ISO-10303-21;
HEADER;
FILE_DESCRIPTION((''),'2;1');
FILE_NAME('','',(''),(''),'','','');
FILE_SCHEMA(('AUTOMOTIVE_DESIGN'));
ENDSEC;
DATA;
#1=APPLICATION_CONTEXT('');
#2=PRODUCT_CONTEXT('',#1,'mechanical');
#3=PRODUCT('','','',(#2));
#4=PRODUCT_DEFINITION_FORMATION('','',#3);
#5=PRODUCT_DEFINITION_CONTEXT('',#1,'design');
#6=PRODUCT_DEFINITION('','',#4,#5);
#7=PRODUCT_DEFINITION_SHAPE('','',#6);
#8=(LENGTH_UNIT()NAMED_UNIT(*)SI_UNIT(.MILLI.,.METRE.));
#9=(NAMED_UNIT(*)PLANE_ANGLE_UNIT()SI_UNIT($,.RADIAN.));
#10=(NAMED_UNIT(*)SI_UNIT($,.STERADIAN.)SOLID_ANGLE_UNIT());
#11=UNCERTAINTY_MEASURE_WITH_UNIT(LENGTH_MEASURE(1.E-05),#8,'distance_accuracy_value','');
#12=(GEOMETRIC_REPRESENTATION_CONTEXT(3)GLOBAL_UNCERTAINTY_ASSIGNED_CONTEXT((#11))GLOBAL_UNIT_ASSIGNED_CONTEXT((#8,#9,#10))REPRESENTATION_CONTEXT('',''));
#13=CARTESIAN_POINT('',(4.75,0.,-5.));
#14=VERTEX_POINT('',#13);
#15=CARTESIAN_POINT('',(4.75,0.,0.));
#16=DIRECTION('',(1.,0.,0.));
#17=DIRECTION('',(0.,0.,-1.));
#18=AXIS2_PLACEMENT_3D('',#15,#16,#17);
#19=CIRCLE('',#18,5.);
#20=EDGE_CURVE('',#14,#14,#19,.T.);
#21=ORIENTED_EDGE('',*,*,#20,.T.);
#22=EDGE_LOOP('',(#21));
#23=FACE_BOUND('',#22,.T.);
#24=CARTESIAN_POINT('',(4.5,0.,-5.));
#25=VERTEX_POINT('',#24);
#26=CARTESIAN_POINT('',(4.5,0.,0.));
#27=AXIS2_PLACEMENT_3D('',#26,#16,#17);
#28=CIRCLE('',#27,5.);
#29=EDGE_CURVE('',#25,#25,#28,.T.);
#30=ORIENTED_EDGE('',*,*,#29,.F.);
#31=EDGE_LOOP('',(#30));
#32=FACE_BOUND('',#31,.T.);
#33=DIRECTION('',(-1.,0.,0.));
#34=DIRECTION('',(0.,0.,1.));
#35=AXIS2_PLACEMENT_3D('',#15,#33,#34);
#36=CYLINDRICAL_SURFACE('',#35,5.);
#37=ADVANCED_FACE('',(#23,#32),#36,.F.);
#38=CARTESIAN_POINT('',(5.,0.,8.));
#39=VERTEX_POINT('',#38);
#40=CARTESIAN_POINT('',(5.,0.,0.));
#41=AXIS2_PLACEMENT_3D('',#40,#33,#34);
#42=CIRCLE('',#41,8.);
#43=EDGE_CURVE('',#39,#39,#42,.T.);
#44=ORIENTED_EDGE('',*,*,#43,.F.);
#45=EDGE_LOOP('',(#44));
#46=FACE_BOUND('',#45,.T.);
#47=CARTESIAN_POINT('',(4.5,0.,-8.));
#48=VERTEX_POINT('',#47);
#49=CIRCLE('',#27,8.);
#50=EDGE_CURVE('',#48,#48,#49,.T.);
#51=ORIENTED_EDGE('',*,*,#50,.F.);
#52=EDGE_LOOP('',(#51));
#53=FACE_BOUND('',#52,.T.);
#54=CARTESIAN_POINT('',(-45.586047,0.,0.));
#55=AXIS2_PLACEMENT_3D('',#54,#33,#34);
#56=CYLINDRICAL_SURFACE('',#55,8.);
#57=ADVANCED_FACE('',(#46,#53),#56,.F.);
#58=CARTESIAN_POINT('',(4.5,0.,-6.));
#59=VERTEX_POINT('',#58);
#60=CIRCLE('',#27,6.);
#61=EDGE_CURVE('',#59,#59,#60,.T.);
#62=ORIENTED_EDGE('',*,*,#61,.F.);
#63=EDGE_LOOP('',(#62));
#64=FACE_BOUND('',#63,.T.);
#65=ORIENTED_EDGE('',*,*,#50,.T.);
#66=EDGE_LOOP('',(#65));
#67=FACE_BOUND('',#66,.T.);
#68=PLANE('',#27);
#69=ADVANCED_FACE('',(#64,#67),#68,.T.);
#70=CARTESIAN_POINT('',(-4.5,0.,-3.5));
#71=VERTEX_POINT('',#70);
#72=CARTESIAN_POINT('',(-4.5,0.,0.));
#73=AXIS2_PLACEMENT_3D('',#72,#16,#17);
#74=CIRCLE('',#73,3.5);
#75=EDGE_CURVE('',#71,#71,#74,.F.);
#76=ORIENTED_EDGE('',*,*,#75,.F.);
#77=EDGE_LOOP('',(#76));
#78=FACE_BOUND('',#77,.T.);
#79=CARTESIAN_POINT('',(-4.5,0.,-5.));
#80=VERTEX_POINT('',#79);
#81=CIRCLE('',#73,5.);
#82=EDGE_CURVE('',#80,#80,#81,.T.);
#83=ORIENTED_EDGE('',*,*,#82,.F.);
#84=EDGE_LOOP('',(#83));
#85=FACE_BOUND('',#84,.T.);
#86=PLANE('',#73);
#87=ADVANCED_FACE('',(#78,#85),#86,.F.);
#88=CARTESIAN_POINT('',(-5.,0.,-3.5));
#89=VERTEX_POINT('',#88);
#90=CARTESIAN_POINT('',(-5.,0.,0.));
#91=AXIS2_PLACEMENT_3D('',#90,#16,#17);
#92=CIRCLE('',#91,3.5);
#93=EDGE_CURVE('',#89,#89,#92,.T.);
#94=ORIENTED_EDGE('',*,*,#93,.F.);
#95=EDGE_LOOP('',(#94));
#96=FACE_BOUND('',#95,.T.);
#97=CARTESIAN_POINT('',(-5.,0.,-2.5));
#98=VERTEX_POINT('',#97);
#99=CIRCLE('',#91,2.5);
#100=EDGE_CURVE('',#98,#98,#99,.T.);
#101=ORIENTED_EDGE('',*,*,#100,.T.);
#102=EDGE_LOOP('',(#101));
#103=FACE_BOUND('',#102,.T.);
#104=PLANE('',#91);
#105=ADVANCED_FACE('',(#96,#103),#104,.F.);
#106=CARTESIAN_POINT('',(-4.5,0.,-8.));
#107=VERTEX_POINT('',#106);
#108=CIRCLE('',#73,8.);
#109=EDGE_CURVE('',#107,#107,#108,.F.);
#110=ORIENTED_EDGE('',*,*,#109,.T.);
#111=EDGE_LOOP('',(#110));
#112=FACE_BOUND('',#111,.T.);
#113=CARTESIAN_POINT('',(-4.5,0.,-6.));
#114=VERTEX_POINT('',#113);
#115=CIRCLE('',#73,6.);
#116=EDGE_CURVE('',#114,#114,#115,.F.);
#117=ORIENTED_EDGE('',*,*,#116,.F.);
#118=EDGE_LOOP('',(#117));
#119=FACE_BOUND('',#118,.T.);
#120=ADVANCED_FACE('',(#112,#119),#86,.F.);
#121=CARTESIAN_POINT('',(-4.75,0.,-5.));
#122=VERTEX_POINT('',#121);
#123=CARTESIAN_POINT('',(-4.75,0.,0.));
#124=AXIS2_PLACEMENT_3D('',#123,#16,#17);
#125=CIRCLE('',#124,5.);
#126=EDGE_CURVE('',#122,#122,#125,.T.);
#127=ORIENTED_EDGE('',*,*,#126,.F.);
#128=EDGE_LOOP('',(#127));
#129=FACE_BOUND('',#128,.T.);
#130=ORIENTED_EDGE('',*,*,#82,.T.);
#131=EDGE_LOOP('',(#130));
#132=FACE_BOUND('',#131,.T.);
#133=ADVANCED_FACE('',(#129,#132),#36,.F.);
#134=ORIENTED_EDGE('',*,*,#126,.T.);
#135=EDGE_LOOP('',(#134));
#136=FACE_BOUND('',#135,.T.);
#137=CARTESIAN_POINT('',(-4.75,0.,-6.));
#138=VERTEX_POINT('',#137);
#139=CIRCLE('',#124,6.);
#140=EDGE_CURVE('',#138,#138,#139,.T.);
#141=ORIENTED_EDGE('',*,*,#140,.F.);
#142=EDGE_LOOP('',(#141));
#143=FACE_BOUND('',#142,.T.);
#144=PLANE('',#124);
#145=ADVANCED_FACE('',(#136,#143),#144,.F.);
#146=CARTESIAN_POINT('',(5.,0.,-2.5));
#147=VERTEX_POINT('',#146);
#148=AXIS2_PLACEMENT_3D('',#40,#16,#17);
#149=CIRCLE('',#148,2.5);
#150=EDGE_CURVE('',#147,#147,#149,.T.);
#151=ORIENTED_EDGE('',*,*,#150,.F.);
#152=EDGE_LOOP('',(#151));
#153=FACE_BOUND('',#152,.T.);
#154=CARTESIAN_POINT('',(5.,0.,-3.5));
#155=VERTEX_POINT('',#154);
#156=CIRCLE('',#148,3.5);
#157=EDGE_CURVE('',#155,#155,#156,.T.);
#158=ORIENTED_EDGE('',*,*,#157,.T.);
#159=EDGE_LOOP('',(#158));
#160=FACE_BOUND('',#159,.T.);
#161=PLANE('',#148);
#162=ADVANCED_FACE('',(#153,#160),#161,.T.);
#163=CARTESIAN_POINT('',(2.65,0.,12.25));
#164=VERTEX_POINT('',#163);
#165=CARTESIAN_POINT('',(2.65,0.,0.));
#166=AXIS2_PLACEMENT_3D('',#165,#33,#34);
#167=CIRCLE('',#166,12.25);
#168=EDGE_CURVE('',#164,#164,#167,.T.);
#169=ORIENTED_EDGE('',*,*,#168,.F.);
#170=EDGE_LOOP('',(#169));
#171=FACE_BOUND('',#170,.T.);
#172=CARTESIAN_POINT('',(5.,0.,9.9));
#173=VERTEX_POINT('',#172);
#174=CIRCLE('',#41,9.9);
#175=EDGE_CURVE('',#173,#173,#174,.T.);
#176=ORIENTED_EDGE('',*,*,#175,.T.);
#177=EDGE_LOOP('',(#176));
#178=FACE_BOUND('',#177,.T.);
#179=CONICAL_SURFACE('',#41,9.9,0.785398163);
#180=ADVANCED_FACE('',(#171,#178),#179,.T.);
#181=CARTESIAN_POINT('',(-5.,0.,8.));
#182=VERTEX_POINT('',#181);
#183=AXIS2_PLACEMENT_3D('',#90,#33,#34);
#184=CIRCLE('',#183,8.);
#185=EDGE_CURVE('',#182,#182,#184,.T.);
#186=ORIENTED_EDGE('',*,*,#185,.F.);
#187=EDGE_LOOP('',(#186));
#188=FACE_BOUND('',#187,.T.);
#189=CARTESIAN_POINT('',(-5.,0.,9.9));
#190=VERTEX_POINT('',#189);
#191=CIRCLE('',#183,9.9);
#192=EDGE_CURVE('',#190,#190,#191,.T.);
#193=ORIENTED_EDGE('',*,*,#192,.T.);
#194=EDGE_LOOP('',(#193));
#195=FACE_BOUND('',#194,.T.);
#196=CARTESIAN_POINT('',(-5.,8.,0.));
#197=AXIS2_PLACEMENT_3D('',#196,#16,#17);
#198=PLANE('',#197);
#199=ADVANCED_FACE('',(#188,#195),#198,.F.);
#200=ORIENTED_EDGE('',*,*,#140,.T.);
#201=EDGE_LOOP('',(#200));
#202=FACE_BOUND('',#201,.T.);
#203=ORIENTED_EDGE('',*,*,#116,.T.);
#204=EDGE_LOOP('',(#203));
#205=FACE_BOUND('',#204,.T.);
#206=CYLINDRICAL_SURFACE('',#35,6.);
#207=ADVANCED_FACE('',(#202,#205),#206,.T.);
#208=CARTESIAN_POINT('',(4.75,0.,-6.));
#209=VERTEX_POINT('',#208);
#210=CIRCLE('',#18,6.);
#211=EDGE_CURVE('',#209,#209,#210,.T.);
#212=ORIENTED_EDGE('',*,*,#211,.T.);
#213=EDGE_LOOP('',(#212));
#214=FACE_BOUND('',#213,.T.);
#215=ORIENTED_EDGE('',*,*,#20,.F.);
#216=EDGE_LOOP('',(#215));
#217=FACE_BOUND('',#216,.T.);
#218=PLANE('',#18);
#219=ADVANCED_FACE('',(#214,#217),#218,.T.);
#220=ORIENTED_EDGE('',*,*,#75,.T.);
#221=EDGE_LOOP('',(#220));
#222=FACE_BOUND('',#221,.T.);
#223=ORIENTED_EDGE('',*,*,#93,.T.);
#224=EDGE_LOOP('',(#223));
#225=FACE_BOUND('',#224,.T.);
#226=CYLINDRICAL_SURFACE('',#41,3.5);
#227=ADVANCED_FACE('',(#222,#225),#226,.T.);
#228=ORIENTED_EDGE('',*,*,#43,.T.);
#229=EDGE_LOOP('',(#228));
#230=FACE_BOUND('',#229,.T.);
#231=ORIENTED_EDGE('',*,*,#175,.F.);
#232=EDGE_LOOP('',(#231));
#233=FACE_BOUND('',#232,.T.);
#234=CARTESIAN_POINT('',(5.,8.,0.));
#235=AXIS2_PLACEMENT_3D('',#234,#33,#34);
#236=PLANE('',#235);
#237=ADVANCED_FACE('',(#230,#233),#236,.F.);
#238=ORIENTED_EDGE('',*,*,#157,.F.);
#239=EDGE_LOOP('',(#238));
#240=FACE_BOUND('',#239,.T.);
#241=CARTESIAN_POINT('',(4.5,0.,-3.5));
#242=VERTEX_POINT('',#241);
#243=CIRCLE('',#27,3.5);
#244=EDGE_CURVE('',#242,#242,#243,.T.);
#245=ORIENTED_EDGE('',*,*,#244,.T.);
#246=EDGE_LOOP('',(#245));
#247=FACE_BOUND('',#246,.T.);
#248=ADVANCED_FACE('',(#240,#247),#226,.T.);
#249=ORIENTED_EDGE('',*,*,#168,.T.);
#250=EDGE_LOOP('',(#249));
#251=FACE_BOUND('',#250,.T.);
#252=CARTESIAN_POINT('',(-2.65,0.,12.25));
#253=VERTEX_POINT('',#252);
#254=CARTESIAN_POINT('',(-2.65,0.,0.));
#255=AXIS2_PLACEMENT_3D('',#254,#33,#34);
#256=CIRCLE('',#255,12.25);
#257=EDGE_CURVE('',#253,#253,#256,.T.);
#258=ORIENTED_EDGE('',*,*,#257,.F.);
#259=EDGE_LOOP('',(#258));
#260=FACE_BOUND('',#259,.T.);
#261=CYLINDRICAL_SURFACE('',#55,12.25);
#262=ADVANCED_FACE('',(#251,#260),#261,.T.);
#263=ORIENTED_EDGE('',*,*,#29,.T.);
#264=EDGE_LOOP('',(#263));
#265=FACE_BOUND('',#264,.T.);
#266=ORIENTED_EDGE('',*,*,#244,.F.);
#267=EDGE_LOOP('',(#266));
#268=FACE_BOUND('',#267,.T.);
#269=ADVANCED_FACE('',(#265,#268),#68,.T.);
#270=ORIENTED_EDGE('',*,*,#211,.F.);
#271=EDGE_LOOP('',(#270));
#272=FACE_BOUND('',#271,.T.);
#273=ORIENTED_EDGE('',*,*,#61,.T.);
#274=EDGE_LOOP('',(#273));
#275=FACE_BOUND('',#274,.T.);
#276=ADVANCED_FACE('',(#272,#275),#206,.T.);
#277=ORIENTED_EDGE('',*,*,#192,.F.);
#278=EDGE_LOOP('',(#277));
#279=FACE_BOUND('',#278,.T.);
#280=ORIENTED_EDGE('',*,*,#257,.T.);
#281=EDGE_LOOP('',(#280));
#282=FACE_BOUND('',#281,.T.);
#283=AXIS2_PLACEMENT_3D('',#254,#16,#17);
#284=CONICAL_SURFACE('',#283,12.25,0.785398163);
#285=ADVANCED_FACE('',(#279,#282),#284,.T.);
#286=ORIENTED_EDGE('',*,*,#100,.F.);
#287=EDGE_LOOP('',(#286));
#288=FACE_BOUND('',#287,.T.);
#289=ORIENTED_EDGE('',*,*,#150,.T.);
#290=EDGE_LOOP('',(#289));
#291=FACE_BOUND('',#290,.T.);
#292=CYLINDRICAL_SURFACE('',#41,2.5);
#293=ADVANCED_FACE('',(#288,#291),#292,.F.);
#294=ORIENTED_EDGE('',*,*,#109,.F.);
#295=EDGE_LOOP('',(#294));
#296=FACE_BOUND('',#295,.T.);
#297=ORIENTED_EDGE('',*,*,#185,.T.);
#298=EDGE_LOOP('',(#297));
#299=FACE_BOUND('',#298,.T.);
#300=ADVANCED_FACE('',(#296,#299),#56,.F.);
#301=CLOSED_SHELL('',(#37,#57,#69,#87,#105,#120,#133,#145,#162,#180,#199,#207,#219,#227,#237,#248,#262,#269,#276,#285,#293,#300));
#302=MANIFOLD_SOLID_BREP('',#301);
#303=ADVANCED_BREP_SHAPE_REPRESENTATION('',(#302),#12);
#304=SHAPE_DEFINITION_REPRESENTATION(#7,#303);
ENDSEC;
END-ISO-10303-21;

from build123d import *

# Parameters (mm, degrees)
SKETCH3_R           = 8
SKETCH3_R_2         = 6
BOSS_EXTRUDE1_DEPTH = 4.5
SKETCH3_4_R         = 6
SKETCH3_4_R_2       = 5
BOSS_EXTRUDE3_DEPTH = 4.75
SKETCH3_5_R         = 5
SKETCH3_5_R_2       = 3.5
BOSS_EXTRUDE4_DEPTH = 4.5
SKETCH3_6_R         = 3.5
SKETCH3_6_R_2       = 2.5
BOSS_EXTRUDE5_DEPTH = 5


with BuildPart() as part:
    # Sketch2 → Revolve1 (revolve)
    with BuildSketch(Plane.XY):
        Polygon((-5, 8), (-5, 9.9), (-2.65, 12.25), (2.65, 12.25), (5, 9.9), (5, 8), align=None)
    revolve(axis=Axis((-45.586046512, 0, 0), (1, 0, 0)))

    # Sketch3 → Boss-Extrude1 (add, symmetric)
    with BuildSketch(Plane(origin=(0, 0, 0), x_dir=(0, 0, -1), z_dir=(1, 0, 0))):
        Circle(SKETCH3_R)
        Circle(SKETCH3_R_2, mode=Mode.SUBTRACT)
    extrude(amount=BOSS_EXTRUDE1_DEPTH, both=True)

    # Sketch3<4> → Boss-Extrude3 (add, symmetric)
    with BuildSketch(Plane(origin=(0, 0, 0), x_dir=(0, 0, -1), z_dir=(1, 0, 0))):
        Circle(SKETCH3_4_R)
        Circle(SKETCH3_4_R_2, mode=Mode.SUBTRACT)
    extrude(amount=BOSS_EXTRUDE3_DEPTH, both=True)

    # Sketch3<5> → Boss-Extrude4 (add, symmetric)
    with BuildSketch(Plane(origin=(0, 0, 0), x_dir=(0, 0, -1), z_dir=(1, 0, 0))):
        Circle(SKETCH3_5_R)
        Circle(SKETCH3_5_R_2, mode=Mode.SUBTRACT)
    extrude(amount=BOSS_EXTRUDE4_DEPTH, both=True)

    # Sketch3<6> → Boss-Extrude5 (add, symmetric)
    with BuildSketch(Plane(origin=(0, 0, 0), x_dir=(0, 0, -1), z_dir=(1, 0, 0))):
        Circle(SKETCH3_6_R)
        Circle(SKETCH3_6_R_2, mode=Mode.SUBTRACT)
    extrude(amount=BOSS_EXTRUDE5_DEPTH, both=True)


solid = part.part
